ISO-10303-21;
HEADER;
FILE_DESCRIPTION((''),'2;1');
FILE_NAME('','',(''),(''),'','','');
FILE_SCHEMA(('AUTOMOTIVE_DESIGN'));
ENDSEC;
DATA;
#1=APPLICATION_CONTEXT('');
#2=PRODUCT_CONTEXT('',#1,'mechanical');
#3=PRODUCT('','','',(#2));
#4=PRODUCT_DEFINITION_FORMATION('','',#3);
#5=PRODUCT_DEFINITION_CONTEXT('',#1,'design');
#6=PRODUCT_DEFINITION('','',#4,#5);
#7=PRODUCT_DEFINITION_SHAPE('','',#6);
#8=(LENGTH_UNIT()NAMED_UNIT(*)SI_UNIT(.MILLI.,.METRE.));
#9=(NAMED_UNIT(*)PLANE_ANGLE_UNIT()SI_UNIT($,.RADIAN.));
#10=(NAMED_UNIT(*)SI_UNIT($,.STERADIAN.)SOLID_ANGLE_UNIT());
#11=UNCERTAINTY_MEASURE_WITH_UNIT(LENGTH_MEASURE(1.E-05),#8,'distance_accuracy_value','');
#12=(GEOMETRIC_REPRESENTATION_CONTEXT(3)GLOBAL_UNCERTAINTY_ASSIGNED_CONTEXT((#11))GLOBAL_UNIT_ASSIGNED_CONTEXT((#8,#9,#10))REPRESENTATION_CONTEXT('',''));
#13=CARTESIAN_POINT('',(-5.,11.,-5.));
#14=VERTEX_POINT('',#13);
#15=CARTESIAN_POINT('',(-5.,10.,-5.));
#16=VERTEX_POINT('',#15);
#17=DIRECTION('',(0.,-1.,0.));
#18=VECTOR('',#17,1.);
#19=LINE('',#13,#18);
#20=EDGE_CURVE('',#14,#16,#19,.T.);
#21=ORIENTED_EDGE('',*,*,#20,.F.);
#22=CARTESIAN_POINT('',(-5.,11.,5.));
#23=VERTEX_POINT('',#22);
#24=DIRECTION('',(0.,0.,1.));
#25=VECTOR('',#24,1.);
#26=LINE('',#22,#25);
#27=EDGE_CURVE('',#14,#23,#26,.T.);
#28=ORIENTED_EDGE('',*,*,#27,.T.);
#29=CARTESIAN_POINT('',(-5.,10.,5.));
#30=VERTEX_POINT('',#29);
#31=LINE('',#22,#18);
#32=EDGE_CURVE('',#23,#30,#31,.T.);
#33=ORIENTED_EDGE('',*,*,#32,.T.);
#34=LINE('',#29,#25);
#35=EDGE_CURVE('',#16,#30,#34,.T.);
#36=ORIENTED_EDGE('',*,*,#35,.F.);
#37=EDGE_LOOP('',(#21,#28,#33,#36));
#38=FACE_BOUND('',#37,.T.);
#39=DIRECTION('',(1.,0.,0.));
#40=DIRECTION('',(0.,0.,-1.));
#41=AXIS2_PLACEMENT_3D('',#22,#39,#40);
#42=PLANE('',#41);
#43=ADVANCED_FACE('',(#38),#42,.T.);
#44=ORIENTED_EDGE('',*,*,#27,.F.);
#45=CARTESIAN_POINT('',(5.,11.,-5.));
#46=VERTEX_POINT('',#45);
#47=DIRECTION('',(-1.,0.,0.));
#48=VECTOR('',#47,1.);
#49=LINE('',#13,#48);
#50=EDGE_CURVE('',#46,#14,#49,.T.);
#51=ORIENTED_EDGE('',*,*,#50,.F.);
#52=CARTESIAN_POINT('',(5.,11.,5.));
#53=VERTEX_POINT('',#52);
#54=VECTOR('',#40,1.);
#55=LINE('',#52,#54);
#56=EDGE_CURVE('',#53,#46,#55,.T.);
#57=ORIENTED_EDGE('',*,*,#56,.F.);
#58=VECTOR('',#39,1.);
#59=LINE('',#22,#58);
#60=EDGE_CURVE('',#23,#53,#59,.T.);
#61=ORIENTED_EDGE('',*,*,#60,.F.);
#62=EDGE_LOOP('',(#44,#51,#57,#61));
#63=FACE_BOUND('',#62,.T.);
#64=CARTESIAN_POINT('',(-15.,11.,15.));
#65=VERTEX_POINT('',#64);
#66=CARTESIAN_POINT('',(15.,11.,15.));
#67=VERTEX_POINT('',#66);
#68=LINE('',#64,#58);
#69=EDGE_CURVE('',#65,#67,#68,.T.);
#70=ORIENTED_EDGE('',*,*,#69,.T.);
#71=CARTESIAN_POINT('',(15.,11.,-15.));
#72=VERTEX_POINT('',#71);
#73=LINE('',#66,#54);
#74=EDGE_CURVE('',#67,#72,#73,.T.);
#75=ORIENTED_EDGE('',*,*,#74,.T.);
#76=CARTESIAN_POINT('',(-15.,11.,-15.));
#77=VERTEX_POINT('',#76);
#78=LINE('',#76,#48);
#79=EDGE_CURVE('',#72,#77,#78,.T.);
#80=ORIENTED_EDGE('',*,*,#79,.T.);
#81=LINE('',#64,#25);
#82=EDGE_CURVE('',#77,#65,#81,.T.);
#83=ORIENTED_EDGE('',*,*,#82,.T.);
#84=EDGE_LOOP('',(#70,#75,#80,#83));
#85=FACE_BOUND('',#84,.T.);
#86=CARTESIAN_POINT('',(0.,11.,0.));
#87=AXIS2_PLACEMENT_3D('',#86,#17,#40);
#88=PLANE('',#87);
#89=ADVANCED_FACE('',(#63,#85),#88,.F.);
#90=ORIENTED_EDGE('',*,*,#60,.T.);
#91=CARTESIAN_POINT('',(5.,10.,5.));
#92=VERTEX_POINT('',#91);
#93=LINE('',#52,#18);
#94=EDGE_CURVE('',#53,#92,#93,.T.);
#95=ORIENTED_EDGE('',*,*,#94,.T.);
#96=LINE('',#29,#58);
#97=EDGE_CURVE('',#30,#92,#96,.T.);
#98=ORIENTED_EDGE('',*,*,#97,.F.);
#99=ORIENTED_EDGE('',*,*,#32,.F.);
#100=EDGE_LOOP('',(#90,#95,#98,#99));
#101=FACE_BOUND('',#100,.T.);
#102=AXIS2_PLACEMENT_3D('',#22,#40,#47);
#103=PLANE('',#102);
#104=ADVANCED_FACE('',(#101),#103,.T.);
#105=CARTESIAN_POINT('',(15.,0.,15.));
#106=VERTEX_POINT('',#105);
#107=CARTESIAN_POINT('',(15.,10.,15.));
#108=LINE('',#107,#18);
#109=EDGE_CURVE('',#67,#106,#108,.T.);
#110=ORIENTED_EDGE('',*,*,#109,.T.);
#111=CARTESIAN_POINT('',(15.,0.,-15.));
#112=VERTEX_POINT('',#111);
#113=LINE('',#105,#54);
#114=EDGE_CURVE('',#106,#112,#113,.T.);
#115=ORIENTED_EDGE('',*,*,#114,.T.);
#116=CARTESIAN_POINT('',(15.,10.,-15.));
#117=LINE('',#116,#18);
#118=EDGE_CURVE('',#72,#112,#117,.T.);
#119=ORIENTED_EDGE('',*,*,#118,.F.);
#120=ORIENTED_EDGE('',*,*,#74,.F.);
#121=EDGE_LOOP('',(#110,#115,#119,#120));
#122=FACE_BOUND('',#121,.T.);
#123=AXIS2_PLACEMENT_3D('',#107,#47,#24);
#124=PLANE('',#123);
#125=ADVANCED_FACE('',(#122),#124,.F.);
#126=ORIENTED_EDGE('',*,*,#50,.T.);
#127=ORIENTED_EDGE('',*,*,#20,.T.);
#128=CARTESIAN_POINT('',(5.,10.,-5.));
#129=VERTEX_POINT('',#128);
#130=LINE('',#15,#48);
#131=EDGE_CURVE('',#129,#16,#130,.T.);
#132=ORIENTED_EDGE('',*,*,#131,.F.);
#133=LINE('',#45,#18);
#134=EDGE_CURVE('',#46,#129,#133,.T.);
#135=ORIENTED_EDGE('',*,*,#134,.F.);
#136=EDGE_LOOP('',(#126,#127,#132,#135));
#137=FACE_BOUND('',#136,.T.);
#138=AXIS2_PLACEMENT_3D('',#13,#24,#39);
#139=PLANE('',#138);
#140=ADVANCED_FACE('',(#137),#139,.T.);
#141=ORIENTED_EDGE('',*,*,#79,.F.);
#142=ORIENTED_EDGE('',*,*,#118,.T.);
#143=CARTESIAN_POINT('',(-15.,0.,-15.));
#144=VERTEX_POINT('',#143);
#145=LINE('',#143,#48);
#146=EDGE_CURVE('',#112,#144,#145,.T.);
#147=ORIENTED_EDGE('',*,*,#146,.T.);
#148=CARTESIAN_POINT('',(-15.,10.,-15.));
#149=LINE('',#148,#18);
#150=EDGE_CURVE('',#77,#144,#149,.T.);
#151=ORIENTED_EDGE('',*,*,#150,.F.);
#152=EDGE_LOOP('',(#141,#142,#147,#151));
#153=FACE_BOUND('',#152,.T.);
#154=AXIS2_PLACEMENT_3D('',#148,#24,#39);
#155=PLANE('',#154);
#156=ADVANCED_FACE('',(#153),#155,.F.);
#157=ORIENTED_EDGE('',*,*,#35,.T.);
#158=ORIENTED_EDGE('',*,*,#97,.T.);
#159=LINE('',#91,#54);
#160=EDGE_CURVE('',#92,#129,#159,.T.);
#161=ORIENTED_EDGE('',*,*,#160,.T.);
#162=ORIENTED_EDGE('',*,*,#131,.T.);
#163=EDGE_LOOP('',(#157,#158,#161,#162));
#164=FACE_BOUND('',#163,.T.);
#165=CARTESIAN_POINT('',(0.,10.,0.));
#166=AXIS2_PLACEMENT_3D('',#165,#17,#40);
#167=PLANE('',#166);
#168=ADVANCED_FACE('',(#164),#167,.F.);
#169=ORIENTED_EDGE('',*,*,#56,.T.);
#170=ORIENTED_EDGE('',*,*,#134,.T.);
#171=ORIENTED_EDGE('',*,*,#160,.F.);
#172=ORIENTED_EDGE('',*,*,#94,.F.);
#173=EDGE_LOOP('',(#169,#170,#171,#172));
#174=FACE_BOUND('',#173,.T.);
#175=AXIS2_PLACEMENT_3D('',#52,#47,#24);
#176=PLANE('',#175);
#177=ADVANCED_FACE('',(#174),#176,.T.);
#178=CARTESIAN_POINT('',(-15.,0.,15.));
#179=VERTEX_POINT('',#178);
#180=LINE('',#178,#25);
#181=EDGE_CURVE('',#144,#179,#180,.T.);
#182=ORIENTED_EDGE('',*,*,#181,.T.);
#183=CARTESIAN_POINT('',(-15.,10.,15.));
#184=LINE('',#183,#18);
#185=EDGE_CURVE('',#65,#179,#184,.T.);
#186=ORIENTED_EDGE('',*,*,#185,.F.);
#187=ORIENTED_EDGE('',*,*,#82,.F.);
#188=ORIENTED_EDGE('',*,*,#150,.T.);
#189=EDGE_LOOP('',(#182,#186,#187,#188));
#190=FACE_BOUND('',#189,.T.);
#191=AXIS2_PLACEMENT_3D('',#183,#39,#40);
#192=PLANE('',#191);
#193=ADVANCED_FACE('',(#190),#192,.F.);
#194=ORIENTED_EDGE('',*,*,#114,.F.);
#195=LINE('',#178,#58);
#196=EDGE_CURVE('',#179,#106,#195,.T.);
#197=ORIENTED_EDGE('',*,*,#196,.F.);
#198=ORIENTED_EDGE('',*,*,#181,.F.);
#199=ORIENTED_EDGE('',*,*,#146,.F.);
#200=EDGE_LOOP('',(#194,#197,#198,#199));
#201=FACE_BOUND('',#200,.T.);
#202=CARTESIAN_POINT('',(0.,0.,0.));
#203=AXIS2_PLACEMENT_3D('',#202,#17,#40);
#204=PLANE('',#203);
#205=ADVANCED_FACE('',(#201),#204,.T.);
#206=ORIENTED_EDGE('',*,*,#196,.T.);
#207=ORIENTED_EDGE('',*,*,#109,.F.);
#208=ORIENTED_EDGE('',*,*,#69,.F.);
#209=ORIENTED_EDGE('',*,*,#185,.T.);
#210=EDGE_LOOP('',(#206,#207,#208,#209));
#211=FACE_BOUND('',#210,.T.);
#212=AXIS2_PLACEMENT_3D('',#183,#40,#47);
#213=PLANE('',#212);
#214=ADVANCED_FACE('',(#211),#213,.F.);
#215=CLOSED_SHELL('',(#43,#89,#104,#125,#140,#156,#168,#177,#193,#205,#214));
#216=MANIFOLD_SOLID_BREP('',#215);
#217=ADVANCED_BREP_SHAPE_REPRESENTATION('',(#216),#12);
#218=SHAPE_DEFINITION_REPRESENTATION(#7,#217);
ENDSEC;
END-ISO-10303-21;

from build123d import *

# Parameters (mm, degrees)
SKETCH1_W           = 30
SKETCH1_H           = 30
BOSS_EXTRUDE1_DEPTH = 10
SKETCH2_W           = 30
SKETCH2_H           = 30
SKETCH2_W_2         = 10
SKETCH2_H_2         = 10
BOSS_EXTRUDE2_DEPTH = 1


with BuildPart() as part:
    # Sketch1 → Boss-Extrude1 (new body)
    with BuildSketch(Plane(origin=(0, 0, 0), x_dir=(1, 0, 0), z_dir=(0, 1, 0))):
        Rectangle(SKETCH1_W, SKETCH1_H)
    extrude(amount=BOSS_EXTRUDE1_DEPTH)

    # Sketch2 → Boss-Extrude2 (add)
    with BuildSketch(Plane(origin=(0, 10, 0), x_dir=(1, 0, 0), z_dir=(0, 1, 0))):
        Rectangle(SKETCH2_W, SKETCH2_H)
        Rectangle(SKETCH2_W_2, SKETCH2_H_2, mode=Mode.SUBTRACT)
    extrude(amount=BOSS_EXTRUDE2_DEPTH)


solid = part.part
